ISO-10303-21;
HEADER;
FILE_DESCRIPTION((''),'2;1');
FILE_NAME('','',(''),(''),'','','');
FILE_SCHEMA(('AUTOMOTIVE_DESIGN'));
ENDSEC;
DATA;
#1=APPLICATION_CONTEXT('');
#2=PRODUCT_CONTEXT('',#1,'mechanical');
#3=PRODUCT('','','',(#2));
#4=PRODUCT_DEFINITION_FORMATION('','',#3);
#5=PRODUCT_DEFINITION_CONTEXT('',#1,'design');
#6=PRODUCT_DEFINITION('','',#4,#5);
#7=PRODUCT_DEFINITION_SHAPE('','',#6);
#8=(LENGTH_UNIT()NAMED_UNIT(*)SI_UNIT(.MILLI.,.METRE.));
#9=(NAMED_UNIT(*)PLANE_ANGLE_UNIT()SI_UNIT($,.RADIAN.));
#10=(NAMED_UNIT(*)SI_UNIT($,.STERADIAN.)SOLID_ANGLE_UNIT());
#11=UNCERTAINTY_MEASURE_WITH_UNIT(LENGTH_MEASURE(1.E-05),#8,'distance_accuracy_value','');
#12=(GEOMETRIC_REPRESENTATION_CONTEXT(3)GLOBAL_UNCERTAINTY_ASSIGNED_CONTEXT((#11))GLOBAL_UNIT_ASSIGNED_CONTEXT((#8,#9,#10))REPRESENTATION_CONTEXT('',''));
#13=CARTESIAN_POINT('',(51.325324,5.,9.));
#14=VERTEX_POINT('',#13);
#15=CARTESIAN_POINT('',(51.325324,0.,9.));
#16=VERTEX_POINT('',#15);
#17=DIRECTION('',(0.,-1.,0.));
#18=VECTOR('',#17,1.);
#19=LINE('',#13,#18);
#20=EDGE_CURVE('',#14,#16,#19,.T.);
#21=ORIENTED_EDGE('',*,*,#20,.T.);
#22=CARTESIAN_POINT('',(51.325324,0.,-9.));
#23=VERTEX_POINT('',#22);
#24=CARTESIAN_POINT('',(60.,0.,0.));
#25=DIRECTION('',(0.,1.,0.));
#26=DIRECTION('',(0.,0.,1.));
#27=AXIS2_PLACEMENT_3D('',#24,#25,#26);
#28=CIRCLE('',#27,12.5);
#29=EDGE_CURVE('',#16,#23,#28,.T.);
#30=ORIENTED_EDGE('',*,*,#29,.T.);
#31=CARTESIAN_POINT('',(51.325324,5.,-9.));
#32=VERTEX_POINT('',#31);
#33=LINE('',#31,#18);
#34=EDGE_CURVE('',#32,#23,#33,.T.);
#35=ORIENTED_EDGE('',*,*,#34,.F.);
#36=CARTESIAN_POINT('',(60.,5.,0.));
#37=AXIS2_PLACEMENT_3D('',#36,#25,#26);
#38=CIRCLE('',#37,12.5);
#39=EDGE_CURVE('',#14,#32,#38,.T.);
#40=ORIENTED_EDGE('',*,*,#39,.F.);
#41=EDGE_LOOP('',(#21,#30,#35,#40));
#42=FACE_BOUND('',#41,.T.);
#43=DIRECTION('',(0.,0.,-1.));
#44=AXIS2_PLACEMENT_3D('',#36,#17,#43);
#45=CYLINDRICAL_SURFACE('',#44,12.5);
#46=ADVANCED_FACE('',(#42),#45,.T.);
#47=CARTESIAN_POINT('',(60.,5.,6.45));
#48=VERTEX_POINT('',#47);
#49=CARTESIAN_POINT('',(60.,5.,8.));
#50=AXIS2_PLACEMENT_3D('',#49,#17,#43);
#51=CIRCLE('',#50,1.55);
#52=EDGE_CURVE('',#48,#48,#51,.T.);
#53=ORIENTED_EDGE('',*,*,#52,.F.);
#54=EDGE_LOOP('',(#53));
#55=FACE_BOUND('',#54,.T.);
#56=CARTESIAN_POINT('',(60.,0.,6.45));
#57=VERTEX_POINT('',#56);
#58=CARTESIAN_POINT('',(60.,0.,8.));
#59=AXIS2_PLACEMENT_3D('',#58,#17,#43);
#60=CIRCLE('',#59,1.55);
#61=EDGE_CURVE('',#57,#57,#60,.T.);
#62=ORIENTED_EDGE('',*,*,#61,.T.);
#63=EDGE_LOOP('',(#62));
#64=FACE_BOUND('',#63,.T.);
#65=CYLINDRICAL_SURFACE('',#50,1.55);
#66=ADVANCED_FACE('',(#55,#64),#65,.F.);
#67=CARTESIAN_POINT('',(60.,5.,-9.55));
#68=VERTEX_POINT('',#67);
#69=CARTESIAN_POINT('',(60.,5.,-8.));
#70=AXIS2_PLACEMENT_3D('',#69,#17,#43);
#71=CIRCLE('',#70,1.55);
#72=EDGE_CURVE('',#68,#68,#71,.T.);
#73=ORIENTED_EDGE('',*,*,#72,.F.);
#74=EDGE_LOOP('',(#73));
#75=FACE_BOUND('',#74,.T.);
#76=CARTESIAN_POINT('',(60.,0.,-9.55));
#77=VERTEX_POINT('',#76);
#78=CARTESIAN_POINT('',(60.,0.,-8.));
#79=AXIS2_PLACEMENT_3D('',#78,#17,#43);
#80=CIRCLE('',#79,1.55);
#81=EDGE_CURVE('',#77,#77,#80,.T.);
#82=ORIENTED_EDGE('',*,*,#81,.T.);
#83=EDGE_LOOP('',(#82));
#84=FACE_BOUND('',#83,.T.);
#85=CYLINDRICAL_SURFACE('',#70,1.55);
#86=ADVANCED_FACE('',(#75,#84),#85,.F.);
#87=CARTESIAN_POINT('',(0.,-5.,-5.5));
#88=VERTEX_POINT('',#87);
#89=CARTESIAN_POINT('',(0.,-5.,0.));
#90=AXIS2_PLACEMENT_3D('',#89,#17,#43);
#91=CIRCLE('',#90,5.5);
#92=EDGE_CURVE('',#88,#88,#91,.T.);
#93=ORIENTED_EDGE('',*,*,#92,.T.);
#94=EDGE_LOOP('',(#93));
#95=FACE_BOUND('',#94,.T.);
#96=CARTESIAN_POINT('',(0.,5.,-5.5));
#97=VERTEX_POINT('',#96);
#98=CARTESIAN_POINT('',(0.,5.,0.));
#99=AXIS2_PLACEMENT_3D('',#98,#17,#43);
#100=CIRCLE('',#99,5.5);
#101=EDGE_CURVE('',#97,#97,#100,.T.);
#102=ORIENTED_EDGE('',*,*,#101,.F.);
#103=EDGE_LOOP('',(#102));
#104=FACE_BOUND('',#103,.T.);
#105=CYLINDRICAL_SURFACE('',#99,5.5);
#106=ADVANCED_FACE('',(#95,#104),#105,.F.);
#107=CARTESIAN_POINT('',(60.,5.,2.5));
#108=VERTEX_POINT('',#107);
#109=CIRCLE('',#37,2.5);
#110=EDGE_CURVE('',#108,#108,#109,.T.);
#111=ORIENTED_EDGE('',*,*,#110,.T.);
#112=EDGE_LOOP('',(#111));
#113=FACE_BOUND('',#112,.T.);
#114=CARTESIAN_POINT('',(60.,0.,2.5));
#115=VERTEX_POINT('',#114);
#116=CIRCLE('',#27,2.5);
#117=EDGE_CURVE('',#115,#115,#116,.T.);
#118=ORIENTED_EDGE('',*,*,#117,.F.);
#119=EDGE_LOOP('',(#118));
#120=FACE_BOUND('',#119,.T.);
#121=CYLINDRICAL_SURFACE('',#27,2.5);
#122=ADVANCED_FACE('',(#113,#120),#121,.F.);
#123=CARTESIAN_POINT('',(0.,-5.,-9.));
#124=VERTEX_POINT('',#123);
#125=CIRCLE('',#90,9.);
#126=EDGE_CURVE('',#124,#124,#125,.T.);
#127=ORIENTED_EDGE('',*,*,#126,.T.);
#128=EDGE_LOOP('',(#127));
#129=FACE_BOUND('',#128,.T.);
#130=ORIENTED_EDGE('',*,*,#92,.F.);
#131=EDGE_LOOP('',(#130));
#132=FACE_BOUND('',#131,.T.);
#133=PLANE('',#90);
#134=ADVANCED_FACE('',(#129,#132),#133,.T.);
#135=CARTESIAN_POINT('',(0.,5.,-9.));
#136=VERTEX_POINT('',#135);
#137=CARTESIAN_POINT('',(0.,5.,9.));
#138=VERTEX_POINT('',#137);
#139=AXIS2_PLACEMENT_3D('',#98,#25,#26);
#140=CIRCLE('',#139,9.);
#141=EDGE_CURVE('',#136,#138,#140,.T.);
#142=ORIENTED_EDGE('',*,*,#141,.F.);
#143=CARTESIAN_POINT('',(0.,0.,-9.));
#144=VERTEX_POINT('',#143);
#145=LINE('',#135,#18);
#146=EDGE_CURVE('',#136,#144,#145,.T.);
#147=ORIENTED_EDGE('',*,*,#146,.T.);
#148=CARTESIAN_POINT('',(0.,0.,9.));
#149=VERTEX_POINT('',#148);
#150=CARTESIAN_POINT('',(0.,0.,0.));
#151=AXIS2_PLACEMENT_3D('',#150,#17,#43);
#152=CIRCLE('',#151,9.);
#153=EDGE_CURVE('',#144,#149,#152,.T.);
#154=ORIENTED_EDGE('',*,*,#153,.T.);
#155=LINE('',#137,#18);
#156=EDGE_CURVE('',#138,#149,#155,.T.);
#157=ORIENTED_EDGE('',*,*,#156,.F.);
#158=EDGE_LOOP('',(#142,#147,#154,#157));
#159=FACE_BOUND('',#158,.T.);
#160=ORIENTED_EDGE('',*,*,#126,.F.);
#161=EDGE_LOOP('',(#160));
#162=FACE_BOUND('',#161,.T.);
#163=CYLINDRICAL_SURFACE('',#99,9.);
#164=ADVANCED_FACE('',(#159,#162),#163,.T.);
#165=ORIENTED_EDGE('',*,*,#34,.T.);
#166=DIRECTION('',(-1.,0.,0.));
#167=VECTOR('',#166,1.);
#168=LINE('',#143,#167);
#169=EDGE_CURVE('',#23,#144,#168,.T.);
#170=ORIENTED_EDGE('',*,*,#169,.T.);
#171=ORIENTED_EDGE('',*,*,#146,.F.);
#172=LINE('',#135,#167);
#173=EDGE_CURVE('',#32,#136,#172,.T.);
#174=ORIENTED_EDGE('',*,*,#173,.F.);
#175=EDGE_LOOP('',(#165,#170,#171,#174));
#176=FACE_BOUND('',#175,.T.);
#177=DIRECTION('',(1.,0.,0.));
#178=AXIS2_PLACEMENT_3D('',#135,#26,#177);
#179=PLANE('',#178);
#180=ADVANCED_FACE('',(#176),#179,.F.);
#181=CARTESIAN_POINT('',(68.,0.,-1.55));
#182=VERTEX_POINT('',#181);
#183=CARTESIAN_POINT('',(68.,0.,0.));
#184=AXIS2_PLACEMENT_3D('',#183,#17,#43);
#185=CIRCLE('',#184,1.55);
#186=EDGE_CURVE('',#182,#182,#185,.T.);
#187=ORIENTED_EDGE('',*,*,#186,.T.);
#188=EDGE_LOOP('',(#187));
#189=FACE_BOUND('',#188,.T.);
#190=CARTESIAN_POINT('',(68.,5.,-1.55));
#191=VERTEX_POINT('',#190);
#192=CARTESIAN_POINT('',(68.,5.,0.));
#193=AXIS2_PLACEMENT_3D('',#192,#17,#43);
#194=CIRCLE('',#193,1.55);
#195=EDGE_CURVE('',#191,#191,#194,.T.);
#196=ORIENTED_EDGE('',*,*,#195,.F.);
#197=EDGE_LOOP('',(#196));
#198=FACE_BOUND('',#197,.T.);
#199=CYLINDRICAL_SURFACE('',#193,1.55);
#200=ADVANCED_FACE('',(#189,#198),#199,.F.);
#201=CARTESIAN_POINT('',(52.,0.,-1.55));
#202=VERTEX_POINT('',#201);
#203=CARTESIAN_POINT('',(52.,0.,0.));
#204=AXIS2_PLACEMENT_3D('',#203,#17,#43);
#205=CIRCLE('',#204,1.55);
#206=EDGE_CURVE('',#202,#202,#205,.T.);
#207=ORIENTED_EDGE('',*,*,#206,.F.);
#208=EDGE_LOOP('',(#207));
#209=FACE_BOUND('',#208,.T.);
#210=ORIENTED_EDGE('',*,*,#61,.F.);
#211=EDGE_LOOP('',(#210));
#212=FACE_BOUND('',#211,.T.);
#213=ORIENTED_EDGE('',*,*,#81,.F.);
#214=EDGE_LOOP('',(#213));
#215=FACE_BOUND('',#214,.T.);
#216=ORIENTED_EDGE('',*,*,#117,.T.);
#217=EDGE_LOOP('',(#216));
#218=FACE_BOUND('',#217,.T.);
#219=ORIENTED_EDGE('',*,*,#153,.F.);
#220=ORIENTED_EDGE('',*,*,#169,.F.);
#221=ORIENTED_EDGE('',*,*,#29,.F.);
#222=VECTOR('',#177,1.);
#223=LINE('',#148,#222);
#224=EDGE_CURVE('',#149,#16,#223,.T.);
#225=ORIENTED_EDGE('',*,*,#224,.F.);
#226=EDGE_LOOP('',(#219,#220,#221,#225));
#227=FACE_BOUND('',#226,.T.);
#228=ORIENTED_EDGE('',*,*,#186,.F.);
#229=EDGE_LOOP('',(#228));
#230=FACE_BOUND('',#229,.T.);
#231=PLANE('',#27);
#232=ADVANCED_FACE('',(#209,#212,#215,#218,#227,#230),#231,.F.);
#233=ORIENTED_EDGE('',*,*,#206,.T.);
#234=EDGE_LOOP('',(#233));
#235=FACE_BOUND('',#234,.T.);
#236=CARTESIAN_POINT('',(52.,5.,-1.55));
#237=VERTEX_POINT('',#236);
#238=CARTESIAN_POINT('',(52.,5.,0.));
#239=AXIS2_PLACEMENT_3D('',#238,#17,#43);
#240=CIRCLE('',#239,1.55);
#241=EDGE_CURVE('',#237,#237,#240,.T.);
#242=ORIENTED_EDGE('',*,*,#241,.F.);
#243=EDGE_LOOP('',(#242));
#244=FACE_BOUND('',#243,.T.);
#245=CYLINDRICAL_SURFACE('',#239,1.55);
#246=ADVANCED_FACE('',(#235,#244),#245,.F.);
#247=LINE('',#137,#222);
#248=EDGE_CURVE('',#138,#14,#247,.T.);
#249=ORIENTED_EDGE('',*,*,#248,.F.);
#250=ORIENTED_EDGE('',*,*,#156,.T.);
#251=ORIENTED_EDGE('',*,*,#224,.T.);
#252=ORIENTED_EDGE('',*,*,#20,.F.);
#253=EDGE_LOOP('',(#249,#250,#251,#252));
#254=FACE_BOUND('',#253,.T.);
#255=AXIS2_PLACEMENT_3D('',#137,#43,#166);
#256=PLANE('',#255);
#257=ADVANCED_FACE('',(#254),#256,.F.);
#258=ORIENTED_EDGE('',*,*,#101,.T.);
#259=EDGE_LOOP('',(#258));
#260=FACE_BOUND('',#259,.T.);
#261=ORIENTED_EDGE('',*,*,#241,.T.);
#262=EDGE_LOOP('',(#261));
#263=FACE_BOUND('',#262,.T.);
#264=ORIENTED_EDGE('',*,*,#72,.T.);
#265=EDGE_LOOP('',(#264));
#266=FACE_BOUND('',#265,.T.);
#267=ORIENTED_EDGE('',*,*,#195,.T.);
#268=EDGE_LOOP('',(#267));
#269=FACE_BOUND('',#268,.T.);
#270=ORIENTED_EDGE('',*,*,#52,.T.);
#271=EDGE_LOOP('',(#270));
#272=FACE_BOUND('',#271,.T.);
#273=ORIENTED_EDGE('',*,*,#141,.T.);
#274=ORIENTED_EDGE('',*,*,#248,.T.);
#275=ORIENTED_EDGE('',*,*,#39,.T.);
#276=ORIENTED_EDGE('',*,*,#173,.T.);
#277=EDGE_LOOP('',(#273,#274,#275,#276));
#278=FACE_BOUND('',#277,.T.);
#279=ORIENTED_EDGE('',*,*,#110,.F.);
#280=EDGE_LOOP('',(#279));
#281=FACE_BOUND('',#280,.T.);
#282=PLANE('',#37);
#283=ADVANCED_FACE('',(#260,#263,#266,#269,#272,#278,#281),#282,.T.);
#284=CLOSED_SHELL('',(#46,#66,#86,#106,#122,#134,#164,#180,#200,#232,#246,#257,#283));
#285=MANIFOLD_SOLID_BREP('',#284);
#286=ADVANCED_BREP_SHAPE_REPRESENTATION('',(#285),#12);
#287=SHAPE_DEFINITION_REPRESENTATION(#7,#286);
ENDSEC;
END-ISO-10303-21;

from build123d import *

# Parameters (mm, degrees)
BOSS_EXTRUDE1_DEPTH = 5
SKETCH2_R           = 2.5
CUT_EXTRUDE1_DEPTH  = 74.739406019
BOSS_EXTRUDE3_START = 5
SKETCH7_R           = 9
BOSS_EXTRUDE3_DEPTH = 5
SKETCH8_R           = 5.5
CUT_EXTRUDE3_DEPTH  = 75.246212025
SKETCH9_R           = 1.55
CUT_EXTRUDE4_DEPTH  = 74.739406019


with BuildPart() as part:
    # Sketch1 → Boss-Extrude1 (new body)
    with BuildSketch(Plane(origin=(0, 0, 0), x_dir=(1, 0, 0), z_dir=(0, 1, 0))):
        with BuildLine():
            Line((0, 9), (51.325324214, 9))
            ThreePointArc((51.325324214, 9), (72.5, 0), (51.325324214, -9))
            Line((51.325324214, -9), (0, -9))
            ThreePointArc((0, -9), (-9, 0), (0, 9))
        make_face()
    extrude(amount=BOSS_EXTRUDE1_DEPTH)

    # Sketch2 → Cut-Extrude1 (cut, through all)
    with BuildSketch(Plane(origin=(0, 5, 0), x_dir=(1, 0, 0), z_dir=(0, 1, 0))):
        with Locations(Location((60, 0, 0), (0, 0, 270))):
            Circle(SKETCH2_R)
    extrude(amount=-CUT_EXTRUDE1_DEPTH, mode=Mode.SUBTRACT)

    # Sketch7 → Boss-Extrude3 (add)
    with BuildSketch(Plane.XZ.offset(BOSS_EXTRUDE3_START)):
        with Locations(Location((0, 0, 0), (0, 0, 270))):
            Circle(SKETCH7_R)
    extrude(amount=-BOSS_EXTRUDE3_DEPTH)

    # Sketch8 → Cut-Extrude3 (cut, through all)
    with BuildSketch(Plane.XZ.offset(5)):
        with Locations(Location((0, 0, 0), (0, 0, 270))):
            Circle(SKETCH8_R)
    extrude(amount=-CUT_EXTRUDE3_DEPTH, mode=Mode.SUBTRACT)

    # Sketch9 → Cut-Extrude4 (cut, through all)
    with BuildSketch(Plane.XZ):
        with Locations(Location((60, 8, 0), (0, 0, 270))):
            Circle(SKETCH9_R)
        with Locations(Location((60, -8, 0), (0, 0, 270))):
            Circle(SKETCH9_R)
        with Locations(Location((68, 0, 0), (0, 0, 270))):
            Circle(SKETCH9_R)
        with Locations(Location((52, 0, 0), (0, 0, 270))):
            Circle(SKETCH9_R)
    extrude(amount=-CUT_EXTRUDE4_DEPTH, mode=Mode.SUBTRACT)


solid = part.part
